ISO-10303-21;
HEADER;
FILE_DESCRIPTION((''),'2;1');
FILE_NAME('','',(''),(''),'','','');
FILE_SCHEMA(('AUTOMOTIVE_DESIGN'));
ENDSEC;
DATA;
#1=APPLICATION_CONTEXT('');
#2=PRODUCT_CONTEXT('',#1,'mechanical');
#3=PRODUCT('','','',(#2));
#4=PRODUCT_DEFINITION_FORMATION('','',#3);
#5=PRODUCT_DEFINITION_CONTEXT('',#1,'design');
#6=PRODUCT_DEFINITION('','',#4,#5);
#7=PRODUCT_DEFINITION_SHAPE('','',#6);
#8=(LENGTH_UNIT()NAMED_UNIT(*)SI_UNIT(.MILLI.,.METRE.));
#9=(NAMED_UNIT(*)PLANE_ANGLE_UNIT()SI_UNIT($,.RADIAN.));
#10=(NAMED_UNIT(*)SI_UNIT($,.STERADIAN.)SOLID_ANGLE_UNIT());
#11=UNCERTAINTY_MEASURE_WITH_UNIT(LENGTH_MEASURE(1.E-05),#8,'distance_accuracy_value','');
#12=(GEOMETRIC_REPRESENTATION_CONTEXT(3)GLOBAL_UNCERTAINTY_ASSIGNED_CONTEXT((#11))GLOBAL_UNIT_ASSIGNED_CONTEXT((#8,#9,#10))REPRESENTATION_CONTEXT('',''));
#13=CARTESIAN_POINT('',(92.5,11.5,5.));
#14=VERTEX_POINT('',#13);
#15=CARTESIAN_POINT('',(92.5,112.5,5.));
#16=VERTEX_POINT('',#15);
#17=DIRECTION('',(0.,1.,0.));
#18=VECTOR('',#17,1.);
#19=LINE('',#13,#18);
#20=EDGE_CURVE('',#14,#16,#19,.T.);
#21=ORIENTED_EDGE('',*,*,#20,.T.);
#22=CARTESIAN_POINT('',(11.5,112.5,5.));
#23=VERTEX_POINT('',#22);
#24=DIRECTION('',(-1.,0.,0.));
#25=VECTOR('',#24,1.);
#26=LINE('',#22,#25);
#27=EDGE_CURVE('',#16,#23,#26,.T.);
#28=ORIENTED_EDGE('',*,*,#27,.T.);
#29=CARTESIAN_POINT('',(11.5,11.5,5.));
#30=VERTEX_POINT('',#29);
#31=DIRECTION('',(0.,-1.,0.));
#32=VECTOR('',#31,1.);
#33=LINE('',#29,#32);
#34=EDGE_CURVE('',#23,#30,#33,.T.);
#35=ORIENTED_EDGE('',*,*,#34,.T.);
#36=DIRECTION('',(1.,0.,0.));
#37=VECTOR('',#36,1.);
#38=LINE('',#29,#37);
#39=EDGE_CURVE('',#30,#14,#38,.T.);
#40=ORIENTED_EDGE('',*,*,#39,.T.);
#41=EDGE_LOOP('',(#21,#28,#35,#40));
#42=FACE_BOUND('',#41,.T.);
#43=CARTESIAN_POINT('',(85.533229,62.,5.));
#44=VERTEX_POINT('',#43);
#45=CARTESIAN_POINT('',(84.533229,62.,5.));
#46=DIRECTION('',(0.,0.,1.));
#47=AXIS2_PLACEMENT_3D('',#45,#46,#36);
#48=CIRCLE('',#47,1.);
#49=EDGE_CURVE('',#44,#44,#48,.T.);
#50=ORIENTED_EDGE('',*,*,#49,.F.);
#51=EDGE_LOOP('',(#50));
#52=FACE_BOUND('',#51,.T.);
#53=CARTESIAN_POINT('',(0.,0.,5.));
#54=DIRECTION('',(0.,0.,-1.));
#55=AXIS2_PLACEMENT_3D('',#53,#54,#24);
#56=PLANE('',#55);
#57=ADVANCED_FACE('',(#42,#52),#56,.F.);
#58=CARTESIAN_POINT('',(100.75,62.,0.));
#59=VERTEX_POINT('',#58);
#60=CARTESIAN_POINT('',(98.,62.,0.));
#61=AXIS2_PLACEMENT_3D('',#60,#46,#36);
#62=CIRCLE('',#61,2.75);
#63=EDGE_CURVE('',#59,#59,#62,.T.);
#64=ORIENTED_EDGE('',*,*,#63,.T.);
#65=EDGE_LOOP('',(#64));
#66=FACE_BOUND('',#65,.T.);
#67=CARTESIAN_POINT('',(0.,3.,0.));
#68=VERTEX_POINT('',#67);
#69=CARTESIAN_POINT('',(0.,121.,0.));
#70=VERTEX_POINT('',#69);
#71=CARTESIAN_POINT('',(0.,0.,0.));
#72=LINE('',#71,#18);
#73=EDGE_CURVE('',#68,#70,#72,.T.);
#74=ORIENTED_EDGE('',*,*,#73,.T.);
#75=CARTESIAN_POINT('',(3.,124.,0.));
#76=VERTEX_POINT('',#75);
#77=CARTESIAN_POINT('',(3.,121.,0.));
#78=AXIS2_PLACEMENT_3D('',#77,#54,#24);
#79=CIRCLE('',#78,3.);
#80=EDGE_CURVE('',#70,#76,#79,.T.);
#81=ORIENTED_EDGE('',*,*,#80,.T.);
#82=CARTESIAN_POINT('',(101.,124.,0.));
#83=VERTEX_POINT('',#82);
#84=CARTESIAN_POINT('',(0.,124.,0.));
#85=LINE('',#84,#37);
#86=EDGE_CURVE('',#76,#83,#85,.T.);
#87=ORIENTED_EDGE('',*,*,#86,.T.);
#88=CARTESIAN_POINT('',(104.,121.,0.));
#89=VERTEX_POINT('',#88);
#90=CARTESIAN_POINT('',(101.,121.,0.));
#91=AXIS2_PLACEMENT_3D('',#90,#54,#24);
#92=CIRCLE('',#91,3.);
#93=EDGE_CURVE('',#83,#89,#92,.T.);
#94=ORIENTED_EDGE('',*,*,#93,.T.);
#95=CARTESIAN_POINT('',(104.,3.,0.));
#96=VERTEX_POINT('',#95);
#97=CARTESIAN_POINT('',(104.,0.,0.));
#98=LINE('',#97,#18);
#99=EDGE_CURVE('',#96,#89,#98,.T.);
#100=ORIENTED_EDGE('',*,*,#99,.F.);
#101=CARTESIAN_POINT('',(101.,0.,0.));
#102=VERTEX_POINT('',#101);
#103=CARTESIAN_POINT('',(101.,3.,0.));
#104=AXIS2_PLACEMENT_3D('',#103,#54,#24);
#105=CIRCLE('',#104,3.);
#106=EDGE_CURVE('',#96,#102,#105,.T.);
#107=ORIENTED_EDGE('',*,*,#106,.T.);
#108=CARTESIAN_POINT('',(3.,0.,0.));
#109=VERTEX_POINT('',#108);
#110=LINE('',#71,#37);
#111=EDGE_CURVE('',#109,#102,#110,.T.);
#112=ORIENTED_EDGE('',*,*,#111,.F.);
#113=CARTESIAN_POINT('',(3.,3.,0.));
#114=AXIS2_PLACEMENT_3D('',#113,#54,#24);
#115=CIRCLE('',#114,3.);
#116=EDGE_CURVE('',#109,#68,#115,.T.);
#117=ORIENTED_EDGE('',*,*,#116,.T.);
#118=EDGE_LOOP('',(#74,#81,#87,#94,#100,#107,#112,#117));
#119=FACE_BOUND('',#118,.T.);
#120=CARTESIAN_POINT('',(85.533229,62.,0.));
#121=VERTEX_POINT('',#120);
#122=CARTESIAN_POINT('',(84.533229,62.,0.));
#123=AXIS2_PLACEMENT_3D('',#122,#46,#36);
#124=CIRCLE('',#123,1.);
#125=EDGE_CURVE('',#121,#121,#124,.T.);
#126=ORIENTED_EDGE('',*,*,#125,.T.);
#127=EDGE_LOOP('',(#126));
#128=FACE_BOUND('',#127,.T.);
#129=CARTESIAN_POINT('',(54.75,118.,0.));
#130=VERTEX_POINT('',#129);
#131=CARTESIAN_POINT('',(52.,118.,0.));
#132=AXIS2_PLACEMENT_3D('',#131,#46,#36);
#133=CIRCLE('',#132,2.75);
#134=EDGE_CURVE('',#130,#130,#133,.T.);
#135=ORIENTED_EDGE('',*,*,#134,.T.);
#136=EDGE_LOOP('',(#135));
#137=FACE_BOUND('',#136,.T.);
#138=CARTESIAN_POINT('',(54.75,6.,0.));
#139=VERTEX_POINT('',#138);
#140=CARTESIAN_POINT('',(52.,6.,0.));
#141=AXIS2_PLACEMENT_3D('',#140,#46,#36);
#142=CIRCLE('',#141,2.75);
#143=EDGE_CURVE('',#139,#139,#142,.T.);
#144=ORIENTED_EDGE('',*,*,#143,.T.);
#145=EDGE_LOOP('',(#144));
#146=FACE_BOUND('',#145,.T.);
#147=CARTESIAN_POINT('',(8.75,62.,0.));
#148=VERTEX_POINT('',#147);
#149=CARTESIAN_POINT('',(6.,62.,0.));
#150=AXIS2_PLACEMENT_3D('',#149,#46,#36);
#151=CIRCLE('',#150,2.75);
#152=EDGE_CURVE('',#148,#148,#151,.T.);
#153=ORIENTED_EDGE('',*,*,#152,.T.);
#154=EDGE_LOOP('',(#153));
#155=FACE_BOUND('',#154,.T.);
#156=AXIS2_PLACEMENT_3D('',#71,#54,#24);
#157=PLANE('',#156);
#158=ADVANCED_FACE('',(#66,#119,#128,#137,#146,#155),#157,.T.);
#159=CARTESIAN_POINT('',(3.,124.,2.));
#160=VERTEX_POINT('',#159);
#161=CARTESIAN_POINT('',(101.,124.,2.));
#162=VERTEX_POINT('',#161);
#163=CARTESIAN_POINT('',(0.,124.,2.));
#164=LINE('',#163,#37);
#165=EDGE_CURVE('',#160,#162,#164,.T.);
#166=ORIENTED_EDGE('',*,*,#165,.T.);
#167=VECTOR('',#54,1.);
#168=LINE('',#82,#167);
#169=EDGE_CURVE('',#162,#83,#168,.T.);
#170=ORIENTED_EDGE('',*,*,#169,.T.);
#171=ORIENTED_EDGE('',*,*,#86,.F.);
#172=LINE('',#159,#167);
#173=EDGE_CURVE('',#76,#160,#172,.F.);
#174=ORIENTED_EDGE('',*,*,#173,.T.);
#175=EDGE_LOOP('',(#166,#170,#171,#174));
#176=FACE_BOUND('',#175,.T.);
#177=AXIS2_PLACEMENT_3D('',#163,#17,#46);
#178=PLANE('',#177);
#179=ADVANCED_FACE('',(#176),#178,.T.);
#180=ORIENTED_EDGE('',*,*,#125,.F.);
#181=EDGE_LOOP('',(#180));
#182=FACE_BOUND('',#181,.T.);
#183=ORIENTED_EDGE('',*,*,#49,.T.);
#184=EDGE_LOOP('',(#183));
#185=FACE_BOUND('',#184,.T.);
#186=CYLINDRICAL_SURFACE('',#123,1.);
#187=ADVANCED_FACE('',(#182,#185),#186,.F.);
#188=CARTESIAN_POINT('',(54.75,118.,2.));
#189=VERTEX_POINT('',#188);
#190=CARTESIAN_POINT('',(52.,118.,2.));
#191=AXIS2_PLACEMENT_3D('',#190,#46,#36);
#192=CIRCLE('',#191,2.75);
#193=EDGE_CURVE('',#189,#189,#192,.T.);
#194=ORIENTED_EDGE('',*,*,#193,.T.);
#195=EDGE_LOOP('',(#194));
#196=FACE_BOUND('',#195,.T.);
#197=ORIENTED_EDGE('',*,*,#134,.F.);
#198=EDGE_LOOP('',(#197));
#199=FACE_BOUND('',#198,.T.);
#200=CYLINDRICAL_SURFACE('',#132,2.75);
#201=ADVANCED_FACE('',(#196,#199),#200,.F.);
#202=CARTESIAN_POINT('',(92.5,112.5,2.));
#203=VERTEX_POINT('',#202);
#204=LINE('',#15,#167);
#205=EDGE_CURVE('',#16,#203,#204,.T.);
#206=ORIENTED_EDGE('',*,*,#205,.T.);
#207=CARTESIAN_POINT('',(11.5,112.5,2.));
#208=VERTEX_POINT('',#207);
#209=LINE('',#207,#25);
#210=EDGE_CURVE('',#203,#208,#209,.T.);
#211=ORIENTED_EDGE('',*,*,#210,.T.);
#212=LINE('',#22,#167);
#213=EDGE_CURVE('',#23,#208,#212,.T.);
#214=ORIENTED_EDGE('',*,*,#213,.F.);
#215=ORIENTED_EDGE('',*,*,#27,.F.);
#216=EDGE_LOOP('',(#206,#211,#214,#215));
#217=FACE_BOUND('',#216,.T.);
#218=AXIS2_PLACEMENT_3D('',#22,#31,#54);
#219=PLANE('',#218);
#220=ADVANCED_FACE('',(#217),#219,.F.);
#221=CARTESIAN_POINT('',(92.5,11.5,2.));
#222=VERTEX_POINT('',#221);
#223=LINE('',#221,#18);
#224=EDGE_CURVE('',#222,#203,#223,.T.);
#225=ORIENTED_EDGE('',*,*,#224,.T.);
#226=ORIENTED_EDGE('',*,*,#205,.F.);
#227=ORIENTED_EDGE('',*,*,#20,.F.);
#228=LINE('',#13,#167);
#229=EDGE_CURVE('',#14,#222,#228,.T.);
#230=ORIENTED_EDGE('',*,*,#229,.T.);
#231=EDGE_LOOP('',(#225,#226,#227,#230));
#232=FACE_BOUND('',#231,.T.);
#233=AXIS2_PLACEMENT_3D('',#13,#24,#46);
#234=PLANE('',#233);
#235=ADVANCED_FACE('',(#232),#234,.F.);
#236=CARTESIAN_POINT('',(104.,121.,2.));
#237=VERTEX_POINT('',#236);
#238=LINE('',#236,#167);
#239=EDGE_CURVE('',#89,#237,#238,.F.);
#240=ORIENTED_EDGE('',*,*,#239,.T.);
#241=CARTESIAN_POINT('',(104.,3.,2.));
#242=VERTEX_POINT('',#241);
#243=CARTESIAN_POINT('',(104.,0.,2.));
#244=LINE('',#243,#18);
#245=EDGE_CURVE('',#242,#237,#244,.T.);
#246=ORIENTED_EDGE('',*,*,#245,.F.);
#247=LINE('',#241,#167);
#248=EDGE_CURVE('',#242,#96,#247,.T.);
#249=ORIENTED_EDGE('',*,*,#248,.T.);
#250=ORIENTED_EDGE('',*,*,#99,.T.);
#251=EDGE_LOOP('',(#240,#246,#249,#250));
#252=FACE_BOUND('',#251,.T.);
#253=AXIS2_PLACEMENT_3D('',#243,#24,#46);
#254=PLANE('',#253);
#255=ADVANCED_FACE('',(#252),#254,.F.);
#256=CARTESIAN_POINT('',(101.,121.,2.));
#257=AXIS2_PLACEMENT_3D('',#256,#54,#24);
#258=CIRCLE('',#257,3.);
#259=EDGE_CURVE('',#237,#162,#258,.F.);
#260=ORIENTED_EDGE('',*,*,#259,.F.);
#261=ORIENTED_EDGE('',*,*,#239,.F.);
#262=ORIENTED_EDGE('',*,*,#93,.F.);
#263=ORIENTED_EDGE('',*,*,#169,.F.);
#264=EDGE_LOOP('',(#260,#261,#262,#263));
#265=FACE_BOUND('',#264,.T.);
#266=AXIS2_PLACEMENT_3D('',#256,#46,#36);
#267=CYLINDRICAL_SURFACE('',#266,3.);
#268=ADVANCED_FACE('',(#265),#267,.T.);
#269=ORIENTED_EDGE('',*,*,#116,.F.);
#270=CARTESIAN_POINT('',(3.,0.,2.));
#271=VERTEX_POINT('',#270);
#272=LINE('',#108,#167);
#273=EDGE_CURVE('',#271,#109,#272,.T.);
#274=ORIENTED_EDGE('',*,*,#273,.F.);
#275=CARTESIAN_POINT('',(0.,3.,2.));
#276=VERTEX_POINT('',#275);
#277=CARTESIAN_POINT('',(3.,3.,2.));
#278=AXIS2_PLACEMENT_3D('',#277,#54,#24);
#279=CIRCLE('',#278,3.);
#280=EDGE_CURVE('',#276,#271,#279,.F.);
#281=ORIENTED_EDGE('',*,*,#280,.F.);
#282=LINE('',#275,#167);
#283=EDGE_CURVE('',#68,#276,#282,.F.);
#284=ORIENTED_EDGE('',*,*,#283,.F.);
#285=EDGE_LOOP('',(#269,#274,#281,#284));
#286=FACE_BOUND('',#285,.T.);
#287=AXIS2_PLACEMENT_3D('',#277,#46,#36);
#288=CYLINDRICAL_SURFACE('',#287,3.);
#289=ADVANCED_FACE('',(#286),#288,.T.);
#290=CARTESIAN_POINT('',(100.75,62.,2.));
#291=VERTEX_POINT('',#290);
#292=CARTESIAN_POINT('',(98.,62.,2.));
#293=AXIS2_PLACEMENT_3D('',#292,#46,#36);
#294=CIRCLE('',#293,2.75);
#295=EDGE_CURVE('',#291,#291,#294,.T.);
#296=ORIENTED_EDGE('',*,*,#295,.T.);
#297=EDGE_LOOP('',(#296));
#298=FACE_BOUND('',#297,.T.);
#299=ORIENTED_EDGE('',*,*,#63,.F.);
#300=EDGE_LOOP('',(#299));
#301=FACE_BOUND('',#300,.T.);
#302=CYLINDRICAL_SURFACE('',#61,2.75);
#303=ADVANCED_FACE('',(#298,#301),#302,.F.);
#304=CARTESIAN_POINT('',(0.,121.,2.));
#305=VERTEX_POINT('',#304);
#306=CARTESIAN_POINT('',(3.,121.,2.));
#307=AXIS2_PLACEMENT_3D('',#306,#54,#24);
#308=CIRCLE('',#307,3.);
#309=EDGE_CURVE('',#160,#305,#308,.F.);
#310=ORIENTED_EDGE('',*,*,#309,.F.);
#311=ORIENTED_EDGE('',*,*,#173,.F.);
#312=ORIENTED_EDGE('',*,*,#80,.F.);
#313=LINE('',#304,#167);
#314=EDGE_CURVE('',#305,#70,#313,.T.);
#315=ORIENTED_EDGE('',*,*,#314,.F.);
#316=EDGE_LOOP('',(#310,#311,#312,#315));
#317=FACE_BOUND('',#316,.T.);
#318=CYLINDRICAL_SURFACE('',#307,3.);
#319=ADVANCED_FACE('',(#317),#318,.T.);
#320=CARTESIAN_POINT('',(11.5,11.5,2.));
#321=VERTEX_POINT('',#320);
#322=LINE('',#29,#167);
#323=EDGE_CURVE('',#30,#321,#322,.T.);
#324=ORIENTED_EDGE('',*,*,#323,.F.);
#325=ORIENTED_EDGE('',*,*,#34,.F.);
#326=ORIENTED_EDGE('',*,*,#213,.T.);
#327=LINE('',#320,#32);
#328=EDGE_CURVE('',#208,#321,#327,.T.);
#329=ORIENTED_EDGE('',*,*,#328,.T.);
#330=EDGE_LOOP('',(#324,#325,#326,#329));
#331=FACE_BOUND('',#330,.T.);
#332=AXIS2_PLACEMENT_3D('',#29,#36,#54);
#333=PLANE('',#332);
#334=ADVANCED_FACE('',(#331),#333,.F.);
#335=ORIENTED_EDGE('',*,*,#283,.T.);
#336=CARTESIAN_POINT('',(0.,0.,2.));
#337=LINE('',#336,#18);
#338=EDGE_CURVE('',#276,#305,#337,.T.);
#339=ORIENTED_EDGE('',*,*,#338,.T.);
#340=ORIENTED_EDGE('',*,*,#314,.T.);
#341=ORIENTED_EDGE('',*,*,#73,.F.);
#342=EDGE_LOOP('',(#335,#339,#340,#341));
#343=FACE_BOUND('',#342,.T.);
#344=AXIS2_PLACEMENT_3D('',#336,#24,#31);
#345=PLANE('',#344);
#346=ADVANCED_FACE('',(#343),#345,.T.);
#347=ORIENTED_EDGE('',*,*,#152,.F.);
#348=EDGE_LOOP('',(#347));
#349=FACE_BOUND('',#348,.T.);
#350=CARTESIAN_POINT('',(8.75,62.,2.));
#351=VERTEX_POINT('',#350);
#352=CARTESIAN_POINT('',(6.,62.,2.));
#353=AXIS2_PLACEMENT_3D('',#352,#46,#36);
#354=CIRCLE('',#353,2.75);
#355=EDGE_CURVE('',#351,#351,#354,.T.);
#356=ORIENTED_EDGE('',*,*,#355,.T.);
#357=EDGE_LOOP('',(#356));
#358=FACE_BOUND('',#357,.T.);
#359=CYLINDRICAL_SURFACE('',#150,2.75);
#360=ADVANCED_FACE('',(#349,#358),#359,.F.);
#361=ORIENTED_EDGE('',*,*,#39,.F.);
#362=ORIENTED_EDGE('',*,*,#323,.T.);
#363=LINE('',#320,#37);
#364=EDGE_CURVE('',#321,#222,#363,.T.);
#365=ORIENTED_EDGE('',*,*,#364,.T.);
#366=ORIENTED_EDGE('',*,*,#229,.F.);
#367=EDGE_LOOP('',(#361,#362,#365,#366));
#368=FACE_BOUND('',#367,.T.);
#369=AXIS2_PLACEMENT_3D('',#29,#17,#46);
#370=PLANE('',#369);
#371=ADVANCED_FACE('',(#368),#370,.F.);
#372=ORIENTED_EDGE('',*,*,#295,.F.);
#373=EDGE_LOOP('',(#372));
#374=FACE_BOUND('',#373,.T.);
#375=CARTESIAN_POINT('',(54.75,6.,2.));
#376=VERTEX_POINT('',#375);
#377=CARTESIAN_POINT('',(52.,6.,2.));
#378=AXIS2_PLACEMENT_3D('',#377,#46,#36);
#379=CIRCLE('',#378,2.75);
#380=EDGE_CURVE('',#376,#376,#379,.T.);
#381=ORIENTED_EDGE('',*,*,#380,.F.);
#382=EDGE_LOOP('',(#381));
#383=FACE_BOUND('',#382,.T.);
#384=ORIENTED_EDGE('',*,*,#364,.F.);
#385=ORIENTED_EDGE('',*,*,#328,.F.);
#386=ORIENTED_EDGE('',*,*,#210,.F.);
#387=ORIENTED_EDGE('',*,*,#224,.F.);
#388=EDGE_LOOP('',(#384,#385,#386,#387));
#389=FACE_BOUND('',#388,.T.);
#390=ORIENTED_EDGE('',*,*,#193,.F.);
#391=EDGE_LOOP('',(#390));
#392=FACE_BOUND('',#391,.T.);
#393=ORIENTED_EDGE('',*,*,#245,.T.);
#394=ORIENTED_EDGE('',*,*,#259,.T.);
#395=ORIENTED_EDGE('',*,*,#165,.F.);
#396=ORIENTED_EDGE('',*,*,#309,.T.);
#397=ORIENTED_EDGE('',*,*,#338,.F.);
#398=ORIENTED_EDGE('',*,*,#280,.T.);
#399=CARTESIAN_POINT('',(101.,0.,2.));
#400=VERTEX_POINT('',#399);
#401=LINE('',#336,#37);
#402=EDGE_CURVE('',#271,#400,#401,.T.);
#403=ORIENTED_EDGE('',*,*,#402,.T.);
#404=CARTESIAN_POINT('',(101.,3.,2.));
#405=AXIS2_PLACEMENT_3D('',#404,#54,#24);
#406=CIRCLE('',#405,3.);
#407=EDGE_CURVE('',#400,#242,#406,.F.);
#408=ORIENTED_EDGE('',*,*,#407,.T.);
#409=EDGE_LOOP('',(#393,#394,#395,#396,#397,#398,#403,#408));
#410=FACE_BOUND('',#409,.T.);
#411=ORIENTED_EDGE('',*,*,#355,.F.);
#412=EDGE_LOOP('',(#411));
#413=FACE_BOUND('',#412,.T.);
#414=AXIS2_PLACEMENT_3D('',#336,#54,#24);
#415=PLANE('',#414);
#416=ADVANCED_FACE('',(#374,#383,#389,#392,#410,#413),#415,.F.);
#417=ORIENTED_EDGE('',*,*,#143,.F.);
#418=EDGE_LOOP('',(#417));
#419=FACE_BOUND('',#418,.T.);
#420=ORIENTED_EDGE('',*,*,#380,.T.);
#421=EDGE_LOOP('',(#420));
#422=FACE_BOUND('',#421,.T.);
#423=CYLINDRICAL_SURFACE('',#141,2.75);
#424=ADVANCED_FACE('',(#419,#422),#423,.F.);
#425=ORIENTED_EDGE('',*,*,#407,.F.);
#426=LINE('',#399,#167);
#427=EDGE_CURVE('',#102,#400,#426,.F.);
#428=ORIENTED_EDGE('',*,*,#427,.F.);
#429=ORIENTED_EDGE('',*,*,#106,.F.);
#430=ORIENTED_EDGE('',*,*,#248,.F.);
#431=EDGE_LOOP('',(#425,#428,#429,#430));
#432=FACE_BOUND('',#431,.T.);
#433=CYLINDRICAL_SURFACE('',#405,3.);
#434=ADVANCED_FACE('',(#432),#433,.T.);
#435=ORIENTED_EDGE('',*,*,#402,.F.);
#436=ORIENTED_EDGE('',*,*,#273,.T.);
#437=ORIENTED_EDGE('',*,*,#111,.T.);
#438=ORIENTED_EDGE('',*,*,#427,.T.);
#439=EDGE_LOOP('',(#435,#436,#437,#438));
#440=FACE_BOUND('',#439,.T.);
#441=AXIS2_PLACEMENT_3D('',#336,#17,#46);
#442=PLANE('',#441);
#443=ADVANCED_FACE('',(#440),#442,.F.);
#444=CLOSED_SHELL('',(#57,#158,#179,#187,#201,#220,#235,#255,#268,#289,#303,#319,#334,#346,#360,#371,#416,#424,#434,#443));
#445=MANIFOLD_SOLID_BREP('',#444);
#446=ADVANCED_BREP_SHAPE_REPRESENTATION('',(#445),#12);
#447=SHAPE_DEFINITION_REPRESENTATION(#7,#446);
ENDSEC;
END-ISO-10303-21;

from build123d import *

# Parameters (mm, degrees)
SKETCH1_W           = 104
SKETCH1_H           = 124
BOSS_EXTRUDE1_DEPTH = 2
SKETCH4_W           = 81
SKETCH4_H           = 101
BOSS_EXTRUDE2_DEPTH = 3
SKETCH5_R           = 1
CUT_EXTRUDE1_DEPTH  = 162.916645222
FILLET1_R           = 3
SKETCH6_R           = 2.75
CUT_EXTRUDE3_DEPTH  = 162.867229543
SKETCH9_R           = 2.75
CUT_EXTRUDE4_DEPTH  = 162.867229543


with BuildPart() as part:
    # Sketch1 → Boss-Extrude1 (new body)
    with BuildSketch(Plane.XY):
        with Locations((52, 62)):
            Rectangle(SKETCH1_W, SKETCH1_H)
    extrude(amount=BOSS_EXTRUDE1_DEPTH)

    # Sketch4 → Boss-Extrude2 (add)
    with BuildSketch(Plane.XY.offset(2)):
        with Locations((52, 62)):
            Rectangle(SKETCH4_W, SKETCH4_H)
    extrude(amount=BOSS_EXTRUDE2_DEPTH)

    # Sketch5 → Cut-Extrude1 (cut, through all)
    with BuildSketch(Plane.XY.offset(5)):
        with Locations((84.533228661, 62)):
            Circle(SKETCH5_R)
    extrude(amount=-CUT_EXTRUDE1_DEPTH, mode=Mode.SUBTRACT)

    # Fillet1
    fillet1_edges = [part.edges().sort_by_distance(p)[0] for p in [
        (0, 0, 1),
        (104, 0, 1),
        (104, 124, 1),
        (0, 124, 1),
    ]]
    fillet(fillet1_edges, radius=FILLET1_R)

    # Sketch6 → Cut-Extrude3 (cut, through all)
    with BuildSketch(Plane.XY.offset(2)):
        with Locations((98, 62)):
            Circle(SKETCH6_R)
        with Locations((6, 62)):
            Circle(SKETCH6_R)
    extrude(amount=-CUT_EXTRUDE3_DEPTH, mode=Mode.SUBTRACT)

    # Sketch9 → Cut-Extrude4 (cut, through all)
    with BuildSketch(Plane.XY.offset(2)):
        with Locations((52, 6)):
            Circle(SKETCH9_R)
        with Locations((52, 118)):
            Circle(SKETCH9_R)
    extrude(amount=-CUT_EXTRUDE4_DEPTH, mode=Mode.SUBTRACT)


solid = part.part
